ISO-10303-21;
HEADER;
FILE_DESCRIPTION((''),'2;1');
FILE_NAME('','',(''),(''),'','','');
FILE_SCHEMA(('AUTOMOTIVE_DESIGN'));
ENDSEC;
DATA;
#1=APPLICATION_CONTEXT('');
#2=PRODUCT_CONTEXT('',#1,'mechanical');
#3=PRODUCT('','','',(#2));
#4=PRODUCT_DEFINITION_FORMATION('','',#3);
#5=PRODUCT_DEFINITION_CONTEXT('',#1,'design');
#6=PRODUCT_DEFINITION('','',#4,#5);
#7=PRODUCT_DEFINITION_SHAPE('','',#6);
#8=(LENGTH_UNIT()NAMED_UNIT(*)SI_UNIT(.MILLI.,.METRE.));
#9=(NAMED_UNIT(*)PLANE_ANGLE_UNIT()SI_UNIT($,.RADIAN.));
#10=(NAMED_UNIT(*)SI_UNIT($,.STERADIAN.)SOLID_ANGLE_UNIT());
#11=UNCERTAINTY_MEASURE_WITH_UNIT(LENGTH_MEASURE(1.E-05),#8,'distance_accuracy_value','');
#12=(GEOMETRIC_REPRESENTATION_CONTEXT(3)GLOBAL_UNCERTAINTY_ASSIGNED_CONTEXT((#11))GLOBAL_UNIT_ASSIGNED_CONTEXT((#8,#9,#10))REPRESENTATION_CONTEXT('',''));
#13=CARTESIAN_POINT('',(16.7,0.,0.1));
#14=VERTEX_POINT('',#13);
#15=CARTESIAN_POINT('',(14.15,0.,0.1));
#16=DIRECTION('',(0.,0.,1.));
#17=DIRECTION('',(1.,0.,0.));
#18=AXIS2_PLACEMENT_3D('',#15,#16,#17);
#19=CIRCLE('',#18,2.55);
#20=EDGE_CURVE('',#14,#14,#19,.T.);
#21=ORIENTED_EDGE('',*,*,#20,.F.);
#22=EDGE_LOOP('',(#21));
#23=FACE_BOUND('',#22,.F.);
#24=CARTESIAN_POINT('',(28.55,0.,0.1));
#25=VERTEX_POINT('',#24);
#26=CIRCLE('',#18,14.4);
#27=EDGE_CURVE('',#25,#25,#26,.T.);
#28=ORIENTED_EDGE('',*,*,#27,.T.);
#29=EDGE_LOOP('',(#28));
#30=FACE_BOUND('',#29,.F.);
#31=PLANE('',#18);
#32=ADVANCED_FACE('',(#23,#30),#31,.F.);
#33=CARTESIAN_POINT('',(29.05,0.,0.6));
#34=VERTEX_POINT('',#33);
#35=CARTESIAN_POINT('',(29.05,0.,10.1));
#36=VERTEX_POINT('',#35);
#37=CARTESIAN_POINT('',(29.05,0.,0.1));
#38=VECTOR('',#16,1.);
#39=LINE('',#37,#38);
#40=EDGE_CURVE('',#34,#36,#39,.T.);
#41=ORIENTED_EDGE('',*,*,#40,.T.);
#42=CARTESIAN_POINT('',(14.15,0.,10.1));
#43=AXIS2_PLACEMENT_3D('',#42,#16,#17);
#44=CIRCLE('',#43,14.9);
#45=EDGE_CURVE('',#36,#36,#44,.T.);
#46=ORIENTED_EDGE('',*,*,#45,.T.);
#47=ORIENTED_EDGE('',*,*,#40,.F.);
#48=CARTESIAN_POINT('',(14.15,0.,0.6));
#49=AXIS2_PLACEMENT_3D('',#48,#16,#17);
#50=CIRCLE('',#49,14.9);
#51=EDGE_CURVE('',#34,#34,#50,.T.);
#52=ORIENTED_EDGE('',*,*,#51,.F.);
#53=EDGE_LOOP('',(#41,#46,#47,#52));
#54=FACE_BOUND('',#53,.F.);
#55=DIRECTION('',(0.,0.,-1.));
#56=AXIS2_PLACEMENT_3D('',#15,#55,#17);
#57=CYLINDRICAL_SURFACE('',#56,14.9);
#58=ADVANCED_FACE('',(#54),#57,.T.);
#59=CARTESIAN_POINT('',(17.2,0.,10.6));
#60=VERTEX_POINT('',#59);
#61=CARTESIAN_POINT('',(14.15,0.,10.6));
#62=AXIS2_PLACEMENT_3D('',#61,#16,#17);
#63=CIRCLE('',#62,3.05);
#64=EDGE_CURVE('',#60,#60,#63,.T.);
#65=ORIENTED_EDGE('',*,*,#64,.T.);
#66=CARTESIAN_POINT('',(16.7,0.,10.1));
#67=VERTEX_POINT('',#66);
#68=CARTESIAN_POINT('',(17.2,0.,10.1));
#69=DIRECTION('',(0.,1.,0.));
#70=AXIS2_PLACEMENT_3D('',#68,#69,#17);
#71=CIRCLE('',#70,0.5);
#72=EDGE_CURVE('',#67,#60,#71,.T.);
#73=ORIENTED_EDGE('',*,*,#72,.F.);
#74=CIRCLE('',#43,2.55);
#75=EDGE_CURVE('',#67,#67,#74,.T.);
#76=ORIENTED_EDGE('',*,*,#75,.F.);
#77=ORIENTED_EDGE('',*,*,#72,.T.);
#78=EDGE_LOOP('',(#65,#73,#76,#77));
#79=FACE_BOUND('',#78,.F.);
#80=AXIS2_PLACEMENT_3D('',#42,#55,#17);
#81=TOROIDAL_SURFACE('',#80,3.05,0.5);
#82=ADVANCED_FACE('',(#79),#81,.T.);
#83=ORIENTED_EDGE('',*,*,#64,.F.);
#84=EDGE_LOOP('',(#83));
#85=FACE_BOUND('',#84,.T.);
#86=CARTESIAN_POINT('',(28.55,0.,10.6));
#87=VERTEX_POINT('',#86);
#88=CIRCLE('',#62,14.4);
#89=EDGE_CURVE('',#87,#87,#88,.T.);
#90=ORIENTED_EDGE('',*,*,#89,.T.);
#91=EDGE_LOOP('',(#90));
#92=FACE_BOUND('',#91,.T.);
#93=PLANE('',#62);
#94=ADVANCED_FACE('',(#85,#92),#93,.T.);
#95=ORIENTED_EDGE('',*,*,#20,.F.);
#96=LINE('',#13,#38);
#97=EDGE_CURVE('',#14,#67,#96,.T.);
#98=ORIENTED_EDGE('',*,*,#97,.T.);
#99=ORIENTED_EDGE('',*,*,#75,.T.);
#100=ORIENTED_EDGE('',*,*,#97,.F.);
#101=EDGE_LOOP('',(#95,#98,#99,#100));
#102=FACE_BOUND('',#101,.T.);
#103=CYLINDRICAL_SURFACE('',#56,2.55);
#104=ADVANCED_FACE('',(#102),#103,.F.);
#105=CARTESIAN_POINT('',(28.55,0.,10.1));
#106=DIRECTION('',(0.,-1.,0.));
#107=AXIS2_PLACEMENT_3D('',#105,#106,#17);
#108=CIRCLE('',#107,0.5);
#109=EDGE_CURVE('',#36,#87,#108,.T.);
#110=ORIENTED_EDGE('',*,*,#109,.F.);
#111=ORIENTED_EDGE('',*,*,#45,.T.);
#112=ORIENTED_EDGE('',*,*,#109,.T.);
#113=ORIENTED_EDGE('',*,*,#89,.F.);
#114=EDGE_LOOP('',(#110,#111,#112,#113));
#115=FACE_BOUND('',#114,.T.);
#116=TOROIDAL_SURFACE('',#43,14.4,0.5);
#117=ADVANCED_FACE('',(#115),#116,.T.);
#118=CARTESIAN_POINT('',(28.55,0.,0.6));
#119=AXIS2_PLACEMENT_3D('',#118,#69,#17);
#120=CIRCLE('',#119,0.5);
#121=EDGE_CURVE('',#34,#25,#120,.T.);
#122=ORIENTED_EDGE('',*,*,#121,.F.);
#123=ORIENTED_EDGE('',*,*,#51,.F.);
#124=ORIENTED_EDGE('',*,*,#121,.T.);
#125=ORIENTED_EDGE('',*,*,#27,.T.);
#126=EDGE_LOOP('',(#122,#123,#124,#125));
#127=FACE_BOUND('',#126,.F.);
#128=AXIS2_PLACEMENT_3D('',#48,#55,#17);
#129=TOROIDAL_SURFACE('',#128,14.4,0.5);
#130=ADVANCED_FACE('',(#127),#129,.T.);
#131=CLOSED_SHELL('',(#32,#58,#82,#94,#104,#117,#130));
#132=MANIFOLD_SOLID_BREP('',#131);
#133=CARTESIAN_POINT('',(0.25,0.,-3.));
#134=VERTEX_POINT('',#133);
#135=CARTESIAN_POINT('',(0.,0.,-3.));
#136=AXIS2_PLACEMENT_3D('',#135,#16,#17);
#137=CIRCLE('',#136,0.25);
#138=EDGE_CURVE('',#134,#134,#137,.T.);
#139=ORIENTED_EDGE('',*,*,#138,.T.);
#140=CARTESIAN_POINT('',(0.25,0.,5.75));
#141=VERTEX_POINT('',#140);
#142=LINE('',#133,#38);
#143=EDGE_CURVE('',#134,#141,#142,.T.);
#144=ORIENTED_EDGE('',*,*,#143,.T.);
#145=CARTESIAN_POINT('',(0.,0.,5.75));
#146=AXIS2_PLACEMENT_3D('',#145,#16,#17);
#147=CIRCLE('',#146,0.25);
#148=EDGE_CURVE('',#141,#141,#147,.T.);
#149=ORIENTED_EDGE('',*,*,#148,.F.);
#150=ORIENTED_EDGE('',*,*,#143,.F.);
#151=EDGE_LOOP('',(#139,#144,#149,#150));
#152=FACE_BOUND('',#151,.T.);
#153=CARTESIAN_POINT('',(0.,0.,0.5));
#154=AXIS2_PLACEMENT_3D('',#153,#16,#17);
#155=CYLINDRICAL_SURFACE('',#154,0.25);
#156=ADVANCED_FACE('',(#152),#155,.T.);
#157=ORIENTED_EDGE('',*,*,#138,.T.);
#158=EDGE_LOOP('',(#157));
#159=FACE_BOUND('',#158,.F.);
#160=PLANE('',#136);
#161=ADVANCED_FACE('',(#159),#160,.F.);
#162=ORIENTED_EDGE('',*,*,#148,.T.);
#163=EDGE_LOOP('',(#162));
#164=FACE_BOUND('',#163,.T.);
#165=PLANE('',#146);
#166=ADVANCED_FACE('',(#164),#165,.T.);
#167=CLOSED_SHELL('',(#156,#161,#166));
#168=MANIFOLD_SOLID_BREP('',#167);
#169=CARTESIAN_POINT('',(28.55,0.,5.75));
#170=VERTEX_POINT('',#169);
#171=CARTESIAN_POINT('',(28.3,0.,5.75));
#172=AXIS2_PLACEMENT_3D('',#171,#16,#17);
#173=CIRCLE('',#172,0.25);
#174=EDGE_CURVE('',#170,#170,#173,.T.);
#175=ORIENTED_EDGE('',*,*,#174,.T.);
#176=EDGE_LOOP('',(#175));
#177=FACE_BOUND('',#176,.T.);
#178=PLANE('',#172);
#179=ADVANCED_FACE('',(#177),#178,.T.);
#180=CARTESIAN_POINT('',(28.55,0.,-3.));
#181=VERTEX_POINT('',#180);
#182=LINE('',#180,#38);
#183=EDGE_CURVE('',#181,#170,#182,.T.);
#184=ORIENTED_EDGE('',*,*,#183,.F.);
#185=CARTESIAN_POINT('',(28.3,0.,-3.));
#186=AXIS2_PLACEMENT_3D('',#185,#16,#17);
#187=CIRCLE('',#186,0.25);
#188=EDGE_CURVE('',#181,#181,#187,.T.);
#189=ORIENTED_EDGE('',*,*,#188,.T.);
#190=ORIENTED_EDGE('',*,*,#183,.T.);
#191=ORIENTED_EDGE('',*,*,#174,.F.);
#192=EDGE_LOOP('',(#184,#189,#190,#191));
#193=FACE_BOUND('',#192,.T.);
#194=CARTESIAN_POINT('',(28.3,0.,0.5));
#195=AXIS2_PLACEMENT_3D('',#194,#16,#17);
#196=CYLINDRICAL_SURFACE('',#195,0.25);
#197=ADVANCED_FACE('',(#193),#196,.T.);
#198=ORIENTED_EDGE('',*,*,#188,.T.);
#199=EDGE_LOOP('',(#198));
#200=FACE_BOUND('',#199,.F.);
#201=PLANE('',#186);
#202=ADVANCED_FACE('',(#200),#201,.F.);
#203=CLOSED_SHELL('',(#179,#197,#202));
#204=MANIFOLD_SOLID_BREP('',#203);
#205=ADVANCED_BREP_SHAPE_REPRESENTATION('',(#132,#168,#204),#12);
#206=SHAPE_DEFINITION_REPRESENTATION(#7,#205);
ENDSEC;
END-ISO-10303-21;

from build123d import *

# Parameters (mm, degrees)
SKETCH001_R       = 0.25
PAD001_DEPTH      = 5.25
PAD001_DEPTH_BACK = 3.5
SKETCH_R          = 14.9
SKETCH_R_2        = 2.55
PAD_DEPTH         = 10.5
FILLET_R          = 0.5


with BuildPart() as pad001:
    # Sketch001 → Pad001 (new body, two sides)
    with BuildSketch(Plane.XY.offset(0.5)) as pad001_sk:
        Circle(SKETCH001_R)
        with Locations((28.3, 0)):
            Circle(SKETCH001_R)
    extrude(amount=PAD001_DEPTH)
    extrude(pad001_sk.sketch, amount=-PAD001_DEPTH_BACK)


with BuildPart() as fillet_body:
    # Sketch → Pad (new body)
    with BuildSketch(Plane.XY.offset(0.1)):
        with Locations((14.15, 0)):
            Circle(SKETCH_R)
        with Locations((14.15, 0)):
            Circle(SKETCH_R_2, mode=Mode.SUBTRACT)
    extrude(amount=PAD_DEPTH)

    # Fillet
    fillet_edges = [fillet_body.edges().sort_by_distance(p)[0] for p in [
        (11.6, 0, 10.6),
        (-0.75, 0, 10.6),
        (-0.75, 0, 0.1),
    ]]
    fillet(fillet_edges, radius=FILLET_R)


solid = Compound([pad001.part, fillet_body.part])
